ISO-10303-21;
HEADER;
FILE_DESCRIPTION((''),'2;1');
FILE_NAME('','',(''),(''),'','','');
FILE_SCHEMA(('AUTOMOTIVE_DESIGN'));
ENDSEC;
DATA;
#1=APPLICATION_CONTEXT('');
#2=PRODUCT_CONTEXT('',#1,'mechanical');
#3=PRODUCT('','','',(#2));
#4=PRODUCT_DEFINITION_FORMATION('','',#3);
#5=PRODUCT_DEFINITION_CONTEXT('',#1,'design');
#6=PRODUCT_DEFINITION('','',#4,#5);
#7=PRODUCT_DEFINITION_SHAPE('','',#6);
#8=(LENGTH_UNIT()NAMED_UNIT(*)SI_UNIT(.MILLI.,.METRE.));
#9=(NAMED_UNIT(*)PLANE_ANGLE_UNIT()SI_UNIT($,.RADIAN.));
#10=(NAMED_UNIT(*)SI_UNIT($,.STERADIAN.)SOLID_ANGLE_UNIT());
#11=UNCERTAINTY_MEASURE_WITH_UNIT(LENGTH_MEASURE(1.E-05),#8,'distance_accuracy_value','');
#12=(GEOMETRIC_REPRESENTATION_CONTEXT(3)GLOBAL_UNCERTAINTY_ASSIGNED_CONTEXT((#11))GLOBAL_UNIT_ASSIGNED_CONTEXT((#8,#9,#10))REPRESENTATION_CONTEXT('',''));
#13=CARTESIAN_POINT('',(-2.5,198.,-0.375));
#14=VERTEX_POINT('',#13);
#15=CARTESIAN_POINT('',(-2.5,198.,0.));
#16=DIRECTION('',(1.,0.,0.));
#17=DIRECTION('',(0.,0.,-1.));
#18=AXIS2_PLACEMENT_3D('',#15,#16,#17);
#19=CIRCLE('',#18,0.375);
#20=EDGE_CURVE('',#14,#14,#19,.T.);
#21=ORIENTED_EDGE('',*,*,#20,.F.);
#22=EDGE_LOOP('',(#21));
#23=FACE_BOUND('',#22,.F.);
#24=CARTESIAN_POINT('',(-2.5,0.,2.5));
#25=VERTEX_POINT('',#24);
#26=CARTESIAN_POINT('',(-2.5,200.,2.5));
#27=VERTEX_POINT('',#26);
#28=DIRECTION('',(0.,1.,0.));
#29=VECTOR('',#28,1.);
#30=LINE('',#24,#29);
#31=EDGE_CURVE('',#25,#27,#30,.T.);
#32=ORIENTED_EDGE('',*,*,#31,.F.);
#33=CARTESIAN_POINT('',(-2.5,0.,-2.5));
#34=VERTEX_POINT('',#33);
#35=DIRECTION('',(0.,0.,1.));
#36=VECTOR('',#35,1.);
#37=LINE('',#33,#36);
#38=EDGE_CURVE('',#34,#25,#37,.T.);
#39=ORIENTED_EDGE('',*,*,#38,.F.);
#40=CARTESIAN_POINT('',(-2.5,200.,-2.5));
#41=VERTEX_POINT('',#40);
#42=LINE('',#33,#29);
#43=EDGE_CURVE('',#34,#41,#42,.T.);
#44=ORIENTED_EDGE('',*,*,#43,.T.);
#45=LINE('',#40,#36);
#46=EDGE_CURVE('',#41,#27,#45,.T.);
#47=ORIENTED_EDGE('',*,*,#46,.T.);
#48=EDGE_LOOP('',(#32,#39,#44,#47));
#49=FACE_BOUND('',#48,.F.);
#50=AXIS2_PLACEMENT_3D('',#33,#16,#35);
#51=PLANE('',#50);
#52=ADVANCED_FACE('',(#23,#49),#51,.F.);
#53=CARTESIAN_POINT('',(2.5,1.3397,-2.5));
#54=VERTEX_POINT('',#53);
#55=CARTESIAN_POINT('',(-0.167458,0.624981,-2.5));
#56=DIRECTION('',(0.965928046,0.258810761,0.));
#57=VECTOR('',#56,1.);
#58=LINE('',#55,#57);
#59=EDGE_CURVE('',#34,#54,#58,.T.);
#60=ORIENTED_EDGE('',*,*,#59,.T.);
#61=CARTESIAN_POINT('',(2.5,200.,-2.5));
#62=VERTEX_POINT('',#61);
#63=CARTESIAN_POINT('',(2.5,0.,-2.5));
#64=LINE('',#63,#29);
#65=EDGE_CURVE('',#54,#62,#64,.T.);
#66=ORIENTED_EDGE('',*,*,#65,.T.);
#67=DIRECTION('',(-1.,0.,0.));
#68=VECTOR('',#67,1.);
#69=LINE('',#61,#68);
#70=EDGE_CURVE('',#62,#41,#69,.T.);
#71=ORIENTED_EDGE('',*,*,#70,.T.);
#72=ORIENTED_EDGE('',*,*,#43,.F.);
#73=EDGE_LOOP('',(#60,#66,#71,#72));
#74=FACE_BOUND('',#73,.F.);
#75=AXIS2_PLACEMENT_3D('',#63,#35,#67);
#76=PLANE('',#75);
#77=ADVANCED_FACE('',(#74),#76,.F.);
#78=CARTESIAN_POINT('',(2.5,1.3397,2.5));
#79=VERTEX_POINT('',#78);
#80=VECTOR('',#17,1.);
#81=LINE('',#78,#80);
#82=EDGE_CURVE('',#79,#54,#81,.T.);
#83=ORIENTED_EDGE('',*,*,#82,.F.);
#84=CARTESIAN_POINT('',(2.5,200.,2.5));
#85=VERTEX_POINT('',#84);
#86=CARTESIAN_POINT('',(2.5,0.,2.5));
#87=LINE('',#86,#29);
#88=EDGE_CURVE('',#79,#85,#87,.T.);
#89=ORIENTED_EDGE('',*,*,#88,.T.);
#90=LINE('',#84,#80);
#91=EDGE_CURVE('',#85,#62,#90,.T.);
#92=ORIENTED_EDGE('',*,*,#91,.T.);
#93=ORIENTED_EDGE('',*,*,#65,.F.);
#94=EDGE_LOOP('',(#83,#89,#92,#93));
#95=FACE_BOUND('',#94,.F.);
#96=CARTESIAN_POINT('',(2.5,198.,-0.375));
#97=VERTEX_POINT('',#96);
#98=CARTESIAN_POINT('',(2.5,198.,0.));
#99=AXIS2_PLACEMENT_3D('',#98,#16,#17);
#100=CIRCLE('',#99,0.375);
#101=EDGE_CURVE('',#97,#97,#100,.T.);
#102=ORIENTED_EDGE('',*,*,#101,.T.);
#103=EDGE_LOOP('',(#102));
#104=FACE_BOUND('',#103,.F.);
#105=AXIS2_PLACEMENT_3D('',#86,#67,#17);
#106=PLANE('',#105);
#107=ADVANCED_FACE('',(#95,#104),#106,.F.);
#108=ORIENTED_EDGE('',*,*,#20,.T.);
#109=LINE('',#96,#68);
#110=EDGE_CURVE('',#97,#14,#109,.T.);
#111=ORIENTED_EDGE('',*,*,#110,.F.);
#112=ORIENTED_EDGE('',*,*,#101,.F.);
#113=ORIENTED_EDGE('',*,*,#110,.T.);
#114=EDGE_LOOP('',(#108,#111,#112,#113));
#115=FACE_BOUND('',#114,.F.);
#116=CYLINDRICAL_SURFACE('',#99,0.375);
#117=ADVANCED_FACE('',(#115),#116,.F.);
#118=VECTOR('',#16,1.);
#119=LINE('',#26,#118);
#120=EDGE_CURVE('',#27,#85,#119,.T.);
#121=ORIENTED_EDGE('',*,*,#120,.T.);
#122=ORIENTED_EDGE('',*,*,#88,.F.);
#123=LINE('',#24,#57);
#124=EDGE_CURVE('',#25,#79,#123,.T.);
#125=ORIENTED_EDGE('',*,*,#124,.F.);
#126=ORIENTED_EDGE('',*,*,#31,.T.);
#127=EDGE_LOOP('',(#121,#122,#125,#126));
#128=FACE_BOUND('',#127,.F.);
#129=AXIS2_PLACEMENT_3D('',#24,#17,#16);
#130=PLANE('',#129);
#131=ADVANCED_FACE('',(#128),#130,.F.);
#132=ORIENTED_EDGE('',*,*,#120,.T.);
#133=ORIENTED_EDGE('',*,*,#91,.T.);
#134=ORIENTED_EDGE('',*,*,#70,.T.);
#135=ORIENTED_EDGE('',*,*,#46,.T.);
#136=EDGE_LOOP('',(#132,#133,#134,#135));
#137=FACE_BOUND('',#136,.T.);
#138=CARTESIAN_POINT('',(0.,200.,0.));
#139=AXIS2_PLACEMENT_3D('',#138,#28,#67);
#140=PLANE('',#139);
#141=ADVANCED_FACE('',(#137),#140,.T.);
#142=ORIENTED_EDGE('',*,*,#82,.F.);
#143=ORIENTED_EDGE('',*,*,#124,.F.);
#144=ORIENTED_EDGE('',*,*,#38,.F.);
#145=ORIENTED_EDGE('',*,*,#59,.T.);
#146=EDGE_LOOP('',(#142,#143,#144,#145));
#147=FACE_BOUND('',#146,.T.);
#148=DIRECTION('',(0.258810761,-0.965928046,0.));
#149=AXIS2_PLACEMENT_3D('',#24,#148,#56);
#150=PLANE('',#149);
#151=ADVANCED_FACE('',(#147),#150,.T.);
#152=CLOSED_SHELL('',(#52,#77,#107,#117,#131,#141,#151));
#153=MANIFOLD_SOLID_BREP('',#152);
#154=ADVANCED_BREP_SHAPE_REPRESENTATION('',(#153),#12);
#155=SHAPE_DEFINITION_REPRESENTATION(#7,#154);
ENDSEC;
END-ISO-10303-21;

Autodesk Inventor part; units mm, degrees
ref_plane "YZ Plane" through (0, 0, 0) normal (1, 0, 0) x (0, 1, 0)
ref_plane "XZ Plane" through (0, 0, 0) normal (0, 1, 0) x (-1, 0, 0)
ref_plane "XY Plane" through (0, 0, 0) normal (0, 0, 1) x (1, 0, 0)
sketch "Sketch1" plane through (0, 0, 0) normal (0, 1, 0) x (-1, 0, 0)
  line L0 (2.5, 2.5) -> (-2.5, 2.5)
  line L1 (-2.5, 2.5) -> (-2.5, -2.5)
  line L2 (-2.5, -2.5) -> (2.5, -2.5)
  line L3 (2.5, -2.5) -> (2.5, 2.5)
  point P0 (0, 0)
  dimension "d0" = 5
  dimension "d1" = 5
  dimension "d2" = 2.5
  dimension "d3" = 2.5
extrude "Extrusion1" add sketch "Sketch1" along normal blind 200
sketch "Sketch3" plane through (2.5, 200, 2.5) normal (1, 0, 0) x (0, 0, -1)
  circle A0 centre (2.5, -2) radius 0.375
  line L0 (0, 0) -> (5, 0) projected
  line L1 (5, -200) -> (5, 0) projected
  point P0 (2.5, -200)
  point P1 (5, -198.6603)
  dimension "d9" = 0.75
  dimension "d10" = 2
  dimension "d11" = 2.5
extrude "Extrusion3" cut sketch "Sketch3" against normal blind 200
sketch "Sketch4" plane through (-2.5, 0, 2.5) normal (0, 0, 1) x (1, 0, 0)
  line L0 (5, 0) -> (0, 0) projected
  line L1 (0, 0) -> (5, 1.3397)
  line L2 (5, 0) -> (5, 200) projected
  line L3 (0, 0) -> (5.1764, 0) construction
  line L4 (5, 1.3397) -> (5, 0)
  line L5 (5, 0) -> (0, 0)
  point P0 (2.5, 0)
  dimension "d14" = 15
extrude "Extrusion4" cut sketch "Sketch4" against normal blind 200
properties part number "Stand Leg"
